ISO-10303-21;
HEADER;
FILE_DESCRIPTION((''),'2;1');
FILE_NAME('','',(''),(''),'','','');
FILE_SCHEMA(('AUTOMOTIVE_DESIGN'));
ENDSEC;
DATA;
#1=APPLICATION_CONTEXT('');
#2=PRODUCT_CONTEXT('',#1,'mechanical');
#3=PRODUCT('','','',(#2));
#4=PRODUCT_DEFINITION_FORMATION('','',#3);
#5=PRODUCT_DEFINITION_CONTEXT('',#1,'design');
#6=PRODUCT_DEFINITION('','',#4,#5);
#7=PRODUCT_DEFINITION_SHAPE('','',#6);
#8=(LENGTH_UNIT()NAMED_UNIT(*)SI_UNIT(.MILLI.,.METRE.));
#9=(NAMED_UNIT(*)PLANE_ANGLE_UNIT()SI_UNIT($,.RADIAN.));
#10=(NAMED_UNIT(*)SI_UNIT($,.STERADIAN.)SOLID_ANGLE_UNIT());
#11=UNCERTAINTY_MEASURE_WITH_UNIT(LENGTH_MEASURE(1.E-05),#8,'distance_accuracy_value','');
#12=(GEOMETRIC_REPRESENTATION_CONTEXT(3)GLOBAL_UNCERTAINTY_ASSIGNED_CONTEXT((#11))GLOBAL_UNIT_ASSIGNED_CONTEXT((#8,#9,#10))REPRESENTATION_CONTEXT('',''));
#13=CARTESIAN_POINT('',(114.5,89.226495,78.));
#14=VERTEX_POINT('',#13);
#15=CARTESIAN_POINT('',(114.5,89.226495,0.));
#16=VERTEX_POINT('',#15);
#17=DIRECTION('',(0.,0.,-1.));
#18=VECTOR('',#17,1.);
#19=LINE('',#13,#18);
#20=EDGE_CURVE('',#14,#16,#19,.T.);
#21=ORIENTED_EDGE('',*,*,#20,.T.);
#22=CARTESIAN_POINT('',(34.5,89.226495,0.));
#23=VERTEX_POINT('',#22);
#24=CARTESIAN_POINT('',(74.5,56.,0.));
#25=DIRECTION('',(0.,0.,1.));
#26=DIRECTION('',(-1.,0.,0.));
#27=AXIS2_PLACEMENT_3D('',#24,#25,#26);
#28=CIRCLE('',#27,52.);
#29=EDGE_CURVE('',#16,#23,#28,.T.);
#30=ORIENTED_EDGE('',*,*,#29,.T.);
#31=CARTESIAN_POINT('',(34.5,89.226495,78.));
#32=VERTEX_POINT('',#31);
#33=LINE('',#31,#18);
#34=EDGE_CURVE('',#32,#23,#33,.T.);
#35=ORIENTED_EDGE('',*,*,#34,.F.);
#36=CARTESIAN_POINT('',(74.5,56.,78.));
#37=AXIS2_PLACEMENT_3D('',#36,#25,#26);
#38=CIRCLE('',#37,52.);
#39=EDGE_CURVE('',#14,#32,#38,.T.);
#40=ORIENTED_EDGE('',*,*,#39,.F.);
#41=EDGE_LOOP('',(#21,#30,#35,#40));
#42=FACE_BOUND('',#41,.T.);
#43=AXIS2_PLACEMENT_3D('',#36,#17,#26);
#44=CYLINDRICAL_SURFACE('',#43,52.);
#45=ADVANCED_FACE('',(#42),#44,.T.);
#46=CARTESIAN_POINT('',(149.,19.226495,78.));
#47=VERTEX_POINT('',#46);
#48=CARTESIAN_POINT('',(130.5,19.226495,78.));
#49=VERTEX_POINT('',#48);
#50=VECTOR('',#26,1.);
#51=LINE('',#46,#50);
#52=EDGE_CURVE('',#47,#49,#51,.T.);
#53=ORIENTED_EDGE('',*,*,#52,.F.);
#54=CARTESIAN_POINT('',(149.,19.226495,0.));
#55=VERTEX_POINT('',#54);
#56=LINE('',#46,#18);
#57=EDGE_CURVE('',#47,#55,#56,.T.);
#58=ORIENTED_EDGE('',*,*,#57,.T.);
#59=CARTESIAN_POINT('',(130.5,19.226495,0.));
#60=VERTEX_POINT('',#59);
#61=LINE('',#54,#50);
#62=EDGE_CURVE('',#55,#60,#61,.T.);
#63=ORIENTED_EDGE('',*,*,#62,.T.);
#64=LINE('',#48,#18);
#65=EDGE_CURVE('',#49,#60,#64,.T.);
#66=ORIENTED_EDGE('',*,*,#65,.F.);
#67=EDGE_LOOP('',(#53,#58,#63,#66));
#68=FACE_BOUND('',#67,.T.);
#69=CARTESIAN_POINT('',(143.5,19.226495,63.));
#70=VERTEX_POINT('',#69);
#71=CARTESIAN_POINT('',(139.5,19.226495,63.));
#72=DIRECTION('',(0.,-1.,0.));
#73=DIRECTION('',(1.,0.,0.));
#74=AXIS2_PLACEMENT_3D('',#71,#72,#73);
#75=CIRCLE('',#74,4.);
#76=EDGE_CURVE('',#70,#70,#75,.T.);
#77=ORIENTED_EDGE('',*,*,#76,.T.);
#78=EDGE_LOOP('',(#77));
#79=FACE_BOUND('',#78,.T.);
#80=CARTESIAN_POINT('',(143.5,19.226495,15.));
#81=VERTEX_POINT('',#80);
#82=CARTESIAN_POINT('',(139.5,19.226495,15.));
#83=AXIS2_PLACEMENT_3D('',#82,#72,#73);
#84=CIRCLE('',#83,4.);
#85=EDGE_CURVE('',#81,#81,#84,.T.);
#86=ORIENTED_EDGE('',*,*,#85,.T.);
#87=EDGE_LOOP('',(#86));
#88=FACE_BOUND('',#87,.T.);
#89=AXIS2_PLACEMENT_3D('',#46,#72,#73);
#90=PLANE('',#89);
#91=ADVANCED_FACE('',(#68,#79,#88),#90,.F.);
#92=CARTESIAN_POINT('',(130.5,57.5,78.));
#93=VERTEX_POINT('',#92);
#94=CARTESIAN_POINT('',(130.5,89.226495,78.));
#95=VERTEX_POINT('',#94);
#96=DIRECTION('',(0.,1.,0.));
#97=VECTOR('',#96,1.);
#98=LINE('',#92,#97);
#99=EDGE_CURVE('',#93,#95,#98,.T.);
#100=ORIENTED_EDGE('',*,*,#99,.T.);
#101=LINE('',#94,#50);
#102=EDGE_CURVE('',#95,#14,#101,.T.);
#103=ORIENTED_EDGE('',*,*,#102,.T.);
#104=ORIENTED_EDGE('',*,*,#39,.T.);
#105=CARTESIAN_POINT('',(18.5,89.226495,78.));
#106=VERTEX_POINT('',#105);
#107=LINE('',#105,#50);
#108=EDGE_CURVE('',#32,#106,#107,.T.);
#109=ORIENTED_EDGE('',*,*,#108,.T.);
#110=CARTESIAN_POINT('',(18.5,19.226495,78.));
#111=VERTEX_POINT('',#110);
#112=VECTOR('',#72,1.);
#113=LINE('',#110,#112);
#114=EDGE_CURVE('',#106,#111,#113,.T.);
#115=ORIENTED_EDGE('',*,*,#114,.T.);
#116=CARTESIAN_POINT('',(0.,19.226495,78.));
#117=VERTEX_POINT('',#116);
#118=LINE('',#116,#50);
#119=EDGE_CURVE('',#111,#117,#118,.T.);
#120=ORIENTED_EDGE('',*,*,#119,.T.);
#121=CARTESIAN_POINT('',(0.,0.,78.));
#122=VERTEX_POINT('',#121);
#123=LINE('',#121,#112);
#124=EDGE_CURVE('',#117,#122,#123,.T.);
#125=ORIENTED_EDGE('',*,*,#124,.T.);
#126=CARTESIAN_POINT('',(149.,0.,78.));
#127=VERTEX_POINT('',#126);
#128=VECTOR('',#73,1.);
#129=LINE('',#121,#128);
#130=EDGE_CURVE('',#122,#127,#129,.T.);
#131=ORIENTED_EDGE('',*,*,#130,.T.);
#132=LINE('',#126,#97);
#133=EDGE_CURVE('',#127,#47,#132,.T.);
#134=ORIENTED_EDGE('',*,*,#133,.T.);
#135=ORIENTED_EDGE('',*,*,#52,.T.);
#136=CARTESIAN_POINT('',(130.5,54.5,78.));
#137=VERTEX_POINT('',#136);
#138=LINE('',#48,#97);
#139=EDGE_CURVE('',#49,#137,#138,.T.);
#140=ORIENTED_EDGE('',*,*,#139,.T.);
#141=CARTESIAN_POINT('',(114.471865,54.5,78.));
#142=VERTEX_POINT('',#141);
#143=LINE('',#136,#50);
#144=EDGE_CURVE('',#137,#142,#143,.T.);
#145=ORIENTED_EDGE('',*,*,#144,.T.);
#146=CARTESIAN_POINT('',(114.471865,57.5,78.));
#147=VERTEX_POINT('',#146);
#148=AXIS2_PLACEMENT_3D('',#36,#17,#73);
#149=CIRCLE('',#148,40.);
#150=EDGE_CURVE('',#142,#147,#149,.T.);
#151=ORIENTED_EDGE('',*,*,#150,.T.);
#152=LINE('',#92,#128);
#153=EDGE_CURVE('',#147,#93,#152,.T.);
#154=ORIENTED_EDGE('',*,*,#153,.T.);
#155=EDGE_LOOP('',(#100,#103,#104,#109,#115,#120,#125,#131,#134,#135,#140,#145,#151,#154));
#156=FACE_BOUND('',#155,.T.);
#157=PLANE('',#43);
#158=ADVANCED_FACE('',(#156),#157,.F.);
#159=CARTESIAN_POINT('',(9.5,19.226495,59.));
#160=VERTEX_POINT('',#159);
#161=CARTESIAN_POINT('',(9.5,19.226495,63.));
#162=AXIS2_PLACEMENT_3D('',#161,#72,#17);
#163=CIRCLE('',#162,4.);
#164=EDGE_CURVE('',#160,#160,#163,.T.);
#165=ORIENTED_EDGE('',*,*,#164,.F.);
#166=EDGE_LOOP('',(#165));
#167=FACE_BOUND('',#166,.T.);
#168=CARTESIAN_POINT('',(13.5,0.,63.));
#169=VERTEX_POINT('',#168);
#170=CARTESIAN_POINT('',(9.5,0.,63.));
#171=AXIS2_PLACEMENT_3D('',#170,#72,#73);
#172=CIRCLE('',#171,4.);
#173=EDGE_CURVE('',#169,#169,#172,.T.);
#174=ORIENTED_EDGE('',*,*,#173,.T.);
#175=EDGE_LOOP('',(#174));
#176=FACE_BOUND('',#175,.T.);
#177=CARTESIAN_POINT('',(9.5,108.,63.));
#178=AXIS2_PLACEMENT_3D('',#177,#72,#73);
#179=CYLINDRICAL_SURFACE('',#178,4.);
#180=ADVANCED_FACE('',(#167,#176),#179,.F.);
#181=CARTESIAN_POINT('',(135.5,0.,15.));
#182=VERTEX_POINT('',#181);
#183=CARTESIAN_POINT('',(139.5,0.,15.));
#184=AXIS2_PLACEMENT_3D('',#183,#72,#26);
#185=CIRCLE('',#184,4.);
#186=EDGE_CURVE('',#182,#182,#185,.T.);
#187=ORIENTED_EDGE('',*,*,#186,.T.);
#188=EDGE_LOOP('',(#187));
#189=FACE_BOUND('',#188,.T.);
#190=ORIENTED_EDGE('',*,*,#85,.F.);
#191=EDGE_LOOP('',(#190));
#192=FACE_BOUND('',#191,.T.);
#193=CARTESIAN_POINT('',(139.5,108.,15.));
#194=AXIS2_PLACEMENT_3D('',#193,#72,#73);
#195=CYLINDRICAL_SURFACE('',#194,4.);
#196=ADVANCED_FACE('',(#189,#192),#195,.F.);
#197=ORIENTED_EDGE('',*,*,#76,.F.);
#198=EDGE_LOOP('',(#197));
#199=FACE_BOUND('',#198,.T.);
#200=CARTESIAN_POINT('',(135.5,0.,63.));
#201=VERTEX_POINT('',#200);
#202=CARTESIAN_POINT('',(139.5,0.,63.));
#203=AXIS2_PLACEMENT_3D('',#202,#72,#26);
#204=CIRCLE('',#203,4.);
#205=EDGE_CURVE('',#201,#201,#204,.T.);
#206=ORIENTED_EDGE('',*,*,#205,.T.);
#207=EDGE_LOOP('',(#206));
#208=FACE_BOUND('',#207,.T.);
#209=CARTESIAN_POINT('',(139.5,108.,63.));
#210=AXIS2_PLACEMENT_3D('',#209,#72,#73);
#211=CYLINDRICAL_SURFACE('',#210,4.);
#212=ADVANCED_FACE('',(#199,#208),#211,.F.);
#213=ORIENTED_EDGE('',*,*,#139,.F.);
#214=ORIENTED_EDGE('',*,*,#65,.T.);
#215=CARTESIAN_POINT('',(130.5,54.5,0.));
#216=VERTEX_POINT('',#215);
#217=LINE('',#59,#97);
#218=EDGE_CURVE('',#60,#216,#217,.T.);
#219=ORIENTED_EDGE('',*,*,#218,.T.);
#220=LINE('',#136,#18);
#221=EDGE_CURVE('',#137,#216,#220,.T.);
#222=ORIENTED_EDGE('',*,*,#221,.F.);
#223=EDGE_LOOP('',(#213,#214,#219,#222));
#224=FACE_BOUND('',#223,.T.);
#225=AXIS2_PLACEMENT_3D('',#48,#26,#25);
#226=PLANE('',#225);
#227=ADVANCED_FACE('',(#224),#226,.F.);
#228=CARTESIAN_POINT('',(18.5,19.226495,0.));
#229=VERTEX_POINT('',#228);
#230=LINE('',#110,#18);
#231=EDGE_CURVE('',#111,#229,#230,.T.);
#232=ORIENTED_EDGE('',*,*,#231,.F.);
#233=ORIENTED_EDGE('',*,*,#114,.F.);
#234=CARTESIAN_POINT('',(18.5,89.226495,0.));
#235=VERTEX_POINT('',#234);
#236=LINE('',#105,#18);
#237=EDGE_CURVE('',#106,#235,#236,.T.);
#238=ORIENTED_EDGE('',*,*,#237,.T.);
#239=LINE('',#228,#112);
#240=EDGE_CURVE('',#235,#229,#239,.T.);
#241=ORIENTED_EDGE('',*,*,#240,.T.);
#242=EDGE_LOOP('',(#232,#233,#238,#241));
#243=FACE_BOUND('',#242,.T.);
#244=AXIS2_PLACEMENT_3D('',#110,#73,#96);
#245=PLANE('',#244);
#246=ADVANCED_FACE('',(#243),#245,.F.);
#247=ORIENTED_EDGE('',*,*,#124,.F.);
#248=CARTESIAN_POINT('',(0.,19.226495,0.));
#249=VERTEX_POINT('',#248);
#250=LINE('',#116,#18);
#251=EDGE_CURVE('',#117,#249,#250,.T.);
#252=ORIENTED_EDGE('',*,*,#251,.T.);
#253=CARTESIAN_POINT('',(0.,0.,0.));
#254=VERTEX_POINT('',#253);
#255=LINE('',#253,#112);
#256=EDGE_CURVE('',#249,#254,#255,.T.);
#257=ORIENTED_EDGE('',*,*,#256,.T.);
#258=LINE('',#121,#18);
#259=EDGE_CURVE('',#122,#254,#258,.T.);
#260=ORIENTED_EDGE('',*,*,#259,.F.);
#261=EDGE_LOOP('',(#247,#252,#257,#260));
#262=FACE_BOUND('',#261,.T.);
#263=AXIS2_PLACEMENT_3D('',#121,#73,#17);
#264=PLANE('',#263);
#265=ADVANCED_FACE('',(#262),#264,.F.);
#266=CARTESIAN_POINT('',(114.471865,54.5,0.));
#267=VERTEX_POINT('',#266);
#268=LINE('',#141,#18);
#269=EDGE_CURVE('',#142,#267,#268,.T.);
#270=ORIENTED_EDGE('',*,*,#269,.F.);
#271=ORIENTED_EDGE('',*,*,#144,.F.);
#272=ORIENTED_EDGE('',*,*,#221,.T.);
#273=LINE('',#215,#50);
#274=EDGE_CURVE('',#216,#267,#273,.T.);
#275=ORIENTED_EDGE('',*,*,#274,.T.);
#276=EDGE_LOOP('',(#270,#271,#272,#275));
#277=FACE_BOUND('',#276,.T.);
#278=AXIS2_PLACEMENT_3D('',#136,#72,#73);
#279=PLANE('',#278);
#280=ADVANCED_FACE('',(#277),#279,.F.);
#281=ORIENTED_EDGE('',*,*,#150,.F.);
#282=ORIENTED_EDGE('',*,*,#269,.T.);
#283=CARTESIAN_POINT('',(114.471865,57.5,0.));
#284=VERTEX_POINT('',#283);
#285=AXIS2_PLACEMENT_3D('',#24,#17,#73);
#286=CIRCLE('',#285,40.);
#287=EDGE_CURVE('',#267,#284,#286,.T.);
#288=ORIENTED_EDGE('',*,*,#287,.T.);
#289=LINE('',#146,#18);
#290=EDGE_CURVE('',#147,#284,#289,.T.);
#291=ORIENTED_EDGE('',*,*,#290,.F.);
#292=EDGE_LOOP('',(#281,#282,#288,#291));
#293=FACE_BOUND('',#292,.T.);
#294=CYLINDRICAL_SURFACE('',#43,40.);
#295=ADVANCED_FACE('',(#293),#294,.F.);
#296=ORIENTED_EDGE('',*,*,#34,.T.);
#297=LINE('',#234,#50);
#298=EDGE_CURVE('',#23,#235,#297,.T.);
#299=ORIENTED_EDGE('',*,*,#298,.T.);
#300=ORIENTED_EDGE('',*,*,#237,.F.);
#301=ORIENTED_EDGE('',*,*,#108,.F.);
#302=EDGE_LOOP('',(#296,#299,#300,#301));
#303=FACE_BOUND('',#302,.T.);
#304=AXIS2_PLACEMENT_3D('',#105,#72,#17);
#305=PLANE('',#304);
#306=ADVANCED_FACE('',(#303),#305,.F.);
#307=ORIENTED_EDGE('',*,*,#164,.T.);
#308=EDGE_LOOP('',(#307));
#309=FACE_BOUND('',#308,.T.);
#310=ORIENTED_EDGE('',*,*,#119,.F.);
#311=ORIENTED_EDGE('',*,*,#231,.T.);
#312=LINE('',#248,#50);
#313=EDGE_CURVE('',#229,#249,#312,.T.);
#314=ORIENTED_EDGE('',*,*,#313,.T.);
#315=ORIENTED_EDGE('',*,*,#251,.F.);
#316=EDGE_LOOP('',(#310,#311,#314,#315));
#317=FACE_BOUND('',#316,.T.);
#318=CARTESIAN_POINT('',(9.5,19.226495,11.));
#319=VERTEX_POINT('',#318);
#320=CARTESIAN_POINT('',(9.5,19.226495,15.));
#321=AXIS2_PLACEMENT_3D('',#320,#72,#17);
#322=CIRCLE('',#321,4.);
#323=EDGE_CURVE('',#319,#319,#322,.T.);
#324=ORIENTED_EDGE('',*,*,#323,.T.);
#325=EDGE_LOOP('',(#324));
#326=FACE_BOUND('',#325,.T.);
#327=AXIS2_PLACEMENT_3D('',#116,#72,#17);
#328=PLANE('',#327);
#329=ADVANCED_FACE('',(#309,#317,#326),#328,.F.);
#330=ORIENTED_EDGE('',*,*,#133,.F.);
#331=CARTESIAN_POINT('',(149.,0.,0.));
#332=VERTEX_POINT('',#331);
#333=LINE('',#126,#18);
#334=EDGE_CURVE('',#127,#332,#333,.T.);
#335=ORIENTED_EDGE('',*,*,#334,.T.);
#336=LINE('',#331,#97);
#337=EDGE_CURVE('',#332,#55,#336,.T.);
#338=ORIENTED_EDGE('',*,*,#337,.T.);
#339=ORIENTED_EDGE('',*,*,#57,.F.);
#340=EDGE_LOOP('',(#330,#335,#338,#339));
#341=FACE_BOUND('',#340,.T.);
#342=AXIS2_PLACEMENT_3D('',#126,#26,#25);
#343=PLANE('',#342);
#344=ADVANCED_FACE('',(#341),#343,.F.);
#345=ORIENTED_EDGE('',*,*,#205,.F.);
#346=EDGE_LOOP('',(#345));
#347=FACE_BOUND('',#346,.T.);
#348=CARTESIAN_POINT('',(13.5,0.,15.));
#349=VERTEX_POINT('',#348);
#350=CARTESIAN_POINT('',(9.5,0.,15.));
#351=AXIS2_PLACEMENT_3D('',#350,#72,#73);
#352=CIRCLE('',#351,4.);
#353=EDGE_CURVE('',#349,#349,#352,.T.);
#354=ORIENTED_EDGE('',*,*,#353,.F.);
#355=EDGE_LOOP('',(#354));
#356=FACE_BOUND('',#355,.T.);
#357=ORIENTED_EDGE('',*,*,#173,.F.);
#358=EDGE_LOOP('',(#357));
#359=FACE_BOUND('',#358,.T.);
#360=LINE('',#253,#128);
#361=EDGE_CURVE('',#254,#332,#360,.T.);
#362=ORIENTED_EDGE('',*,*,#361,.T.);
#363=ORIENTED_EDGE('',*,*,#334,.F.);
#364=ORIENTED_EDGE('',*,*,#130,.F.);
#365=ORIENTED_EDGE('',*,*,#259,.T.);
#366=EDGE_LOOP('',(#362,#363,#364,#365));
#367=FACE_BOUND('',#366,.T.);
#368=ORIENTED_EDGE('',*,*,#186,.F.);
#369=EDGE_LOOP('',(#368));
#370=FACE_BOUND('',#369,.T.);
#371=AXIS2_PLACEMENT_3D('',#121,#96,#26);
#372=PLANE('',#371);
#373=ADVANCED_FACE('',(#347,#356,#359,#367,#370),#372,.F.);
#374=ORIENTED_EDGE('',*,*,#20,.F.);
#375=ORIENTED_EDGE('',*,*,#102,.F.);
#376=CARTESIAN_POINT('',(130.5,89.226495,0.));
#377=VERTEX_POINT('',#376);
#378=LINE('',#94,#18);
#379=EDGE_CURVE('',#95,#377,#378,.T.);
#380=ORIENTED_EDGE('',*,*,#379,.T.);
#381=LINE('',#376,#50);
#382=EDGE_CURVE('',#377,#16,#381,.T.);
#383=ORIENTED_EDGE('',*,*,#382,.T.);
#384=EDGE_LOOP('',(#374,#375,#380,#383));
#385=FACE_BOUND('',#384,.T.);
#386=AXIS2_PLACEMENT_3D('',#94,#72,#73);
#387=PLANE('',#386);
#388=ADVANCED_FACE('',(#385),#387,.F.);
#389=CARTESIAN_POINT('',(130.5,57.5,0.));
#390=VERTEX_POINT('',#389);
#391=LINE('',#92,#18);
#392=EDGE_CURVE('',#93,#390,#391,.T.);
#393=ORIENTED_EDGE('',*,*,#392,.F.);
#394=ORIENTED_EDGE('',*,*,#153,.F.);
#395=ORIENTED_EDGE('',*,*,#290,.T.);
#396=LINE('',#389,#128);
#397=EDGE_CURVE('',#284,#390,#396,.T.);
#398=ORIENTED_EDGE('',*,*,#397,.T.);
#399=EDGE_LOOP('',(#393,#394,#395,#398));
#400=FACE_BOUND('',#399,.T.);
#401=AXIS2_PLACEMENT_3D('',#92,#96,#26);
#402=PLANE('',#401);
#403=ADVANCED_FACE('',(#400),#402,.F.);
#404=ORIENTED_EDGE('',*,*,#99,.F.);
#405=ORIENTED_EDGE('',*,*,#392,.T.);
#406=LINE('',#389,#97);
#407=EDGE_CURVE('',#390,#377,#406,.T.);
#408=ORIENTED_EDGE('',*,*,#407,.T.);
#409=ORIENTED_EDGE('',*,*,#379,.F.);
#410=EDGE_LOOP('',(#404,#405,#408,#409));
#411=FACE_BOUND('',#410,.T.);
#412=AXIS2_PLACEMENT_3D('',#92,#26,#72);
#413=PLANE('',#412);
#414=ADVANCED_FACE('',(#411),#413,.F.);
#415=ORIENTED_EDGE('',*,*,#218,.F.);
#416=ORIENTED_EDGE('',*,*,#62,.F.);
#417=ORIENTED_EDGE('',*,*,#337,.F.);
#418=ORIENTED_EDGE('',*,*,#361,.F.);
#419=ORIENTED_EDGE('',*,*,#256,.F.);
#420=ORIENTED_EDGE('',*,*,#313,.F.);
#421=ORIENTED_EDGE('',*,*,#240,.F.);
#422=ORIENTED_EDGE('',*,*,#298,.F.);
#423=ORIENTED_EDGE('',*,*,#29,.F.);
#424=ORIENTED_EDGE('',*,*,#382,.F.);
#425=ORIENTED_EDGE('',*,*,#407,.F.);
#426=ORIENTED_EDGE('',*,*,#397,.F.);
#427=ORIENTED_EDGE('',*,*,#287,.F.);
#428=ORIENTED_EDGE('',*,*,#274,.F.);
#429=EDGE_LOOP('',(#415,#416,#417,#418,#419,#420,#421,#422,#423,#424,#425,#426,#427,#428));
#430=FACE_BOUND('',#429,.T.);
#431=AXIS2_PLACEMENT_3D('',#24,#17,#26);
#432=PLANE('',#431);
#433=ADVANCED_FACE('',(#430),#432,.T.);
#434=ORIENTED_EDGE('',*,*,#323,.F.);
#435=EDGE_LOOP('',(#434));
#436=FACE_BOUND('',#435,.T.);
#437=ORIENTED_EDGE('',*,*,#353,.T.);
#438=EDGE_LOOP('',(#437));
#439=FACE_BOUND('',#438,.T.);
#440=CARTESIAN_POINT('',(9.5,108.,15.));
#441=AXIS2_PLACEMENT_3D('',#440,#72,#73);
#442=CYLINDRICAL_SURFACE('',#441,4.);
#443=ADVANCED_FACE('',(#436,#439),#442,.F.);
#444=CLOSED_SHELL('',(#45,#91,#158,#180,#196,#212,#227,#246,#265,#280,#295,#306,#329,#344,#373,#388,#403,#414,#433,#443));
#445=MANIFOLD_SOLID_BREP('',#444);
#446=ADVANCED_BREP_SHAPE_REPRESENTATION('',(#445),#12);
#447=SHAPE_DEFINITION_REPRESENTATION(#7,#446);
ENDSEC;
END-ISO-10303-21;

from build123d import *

# Parameters (mm, degrees)
BOSS_EXTRUDE1_DEPTH = 78
SKETCH2_R           = 4
CUT_EXTRUDE1_DEPTH  = 200.872459333


with BuildPart() as part:
    # Sketch1 → Boss-Extrude1 (new body)
    with BuildSketch(Plane.XY):
        with BuildLine():
            Line((0, 19.226495452), (18.5, 19.226495452))
            Line((18.5, 19.226495452), (18.5, 89.226495452))
            Line((18.5, 89.226495452), (34.5, 89.226495452))
            ThreePointArc((34.5, 89.226495452), (74.5, 108), (114.5, 89.226495452))
            Line((114.5, 89.226495452), (130.5, 89.226495452))
            Line((130.5, 89.226495452), (130.5, 57.5))
            Line((130.5, 57.5), (114.471865105, 57.5))
            ThreePointArc((114.471865105, 57.5), (34.5, 56), (114.471865105, 54.5))
            Line((114.471865105, 54.5), (130.5, 54.5))
            Line((130.5, 54.5), (130.5, 19.226495452))
            Line((130.5, 19.226495452), (149, 19.226495452))
            Line((149, 19.226495452), (149, 0))
            Line((149, 0), (0, 0))
            Line((0, 0), (0, 19.226495452))
        make_face()
    extrude(amount=BOSS_EXTRUDE1_DEPTH)

    # Sketch2 → Cut-Extrude1 (cut, through all)
    with BuildSketch(Plane.XZ):
        with Locations((9.5, 63)):
            Circle(SKETCH2_R)
        with Locations((139.5, 63)):
            Circle(SKETCH2_R)
        with Locations((9.5, 15)):
            Circle(SKETCH2_R)
        with Locations((139.5, 15)):
            Circle(SKETCH2_R)
    extrude(amount=-CUT_EXTRUDE1_DEPTH, mode=Mode.SUBTRACT)


solid = part.part
